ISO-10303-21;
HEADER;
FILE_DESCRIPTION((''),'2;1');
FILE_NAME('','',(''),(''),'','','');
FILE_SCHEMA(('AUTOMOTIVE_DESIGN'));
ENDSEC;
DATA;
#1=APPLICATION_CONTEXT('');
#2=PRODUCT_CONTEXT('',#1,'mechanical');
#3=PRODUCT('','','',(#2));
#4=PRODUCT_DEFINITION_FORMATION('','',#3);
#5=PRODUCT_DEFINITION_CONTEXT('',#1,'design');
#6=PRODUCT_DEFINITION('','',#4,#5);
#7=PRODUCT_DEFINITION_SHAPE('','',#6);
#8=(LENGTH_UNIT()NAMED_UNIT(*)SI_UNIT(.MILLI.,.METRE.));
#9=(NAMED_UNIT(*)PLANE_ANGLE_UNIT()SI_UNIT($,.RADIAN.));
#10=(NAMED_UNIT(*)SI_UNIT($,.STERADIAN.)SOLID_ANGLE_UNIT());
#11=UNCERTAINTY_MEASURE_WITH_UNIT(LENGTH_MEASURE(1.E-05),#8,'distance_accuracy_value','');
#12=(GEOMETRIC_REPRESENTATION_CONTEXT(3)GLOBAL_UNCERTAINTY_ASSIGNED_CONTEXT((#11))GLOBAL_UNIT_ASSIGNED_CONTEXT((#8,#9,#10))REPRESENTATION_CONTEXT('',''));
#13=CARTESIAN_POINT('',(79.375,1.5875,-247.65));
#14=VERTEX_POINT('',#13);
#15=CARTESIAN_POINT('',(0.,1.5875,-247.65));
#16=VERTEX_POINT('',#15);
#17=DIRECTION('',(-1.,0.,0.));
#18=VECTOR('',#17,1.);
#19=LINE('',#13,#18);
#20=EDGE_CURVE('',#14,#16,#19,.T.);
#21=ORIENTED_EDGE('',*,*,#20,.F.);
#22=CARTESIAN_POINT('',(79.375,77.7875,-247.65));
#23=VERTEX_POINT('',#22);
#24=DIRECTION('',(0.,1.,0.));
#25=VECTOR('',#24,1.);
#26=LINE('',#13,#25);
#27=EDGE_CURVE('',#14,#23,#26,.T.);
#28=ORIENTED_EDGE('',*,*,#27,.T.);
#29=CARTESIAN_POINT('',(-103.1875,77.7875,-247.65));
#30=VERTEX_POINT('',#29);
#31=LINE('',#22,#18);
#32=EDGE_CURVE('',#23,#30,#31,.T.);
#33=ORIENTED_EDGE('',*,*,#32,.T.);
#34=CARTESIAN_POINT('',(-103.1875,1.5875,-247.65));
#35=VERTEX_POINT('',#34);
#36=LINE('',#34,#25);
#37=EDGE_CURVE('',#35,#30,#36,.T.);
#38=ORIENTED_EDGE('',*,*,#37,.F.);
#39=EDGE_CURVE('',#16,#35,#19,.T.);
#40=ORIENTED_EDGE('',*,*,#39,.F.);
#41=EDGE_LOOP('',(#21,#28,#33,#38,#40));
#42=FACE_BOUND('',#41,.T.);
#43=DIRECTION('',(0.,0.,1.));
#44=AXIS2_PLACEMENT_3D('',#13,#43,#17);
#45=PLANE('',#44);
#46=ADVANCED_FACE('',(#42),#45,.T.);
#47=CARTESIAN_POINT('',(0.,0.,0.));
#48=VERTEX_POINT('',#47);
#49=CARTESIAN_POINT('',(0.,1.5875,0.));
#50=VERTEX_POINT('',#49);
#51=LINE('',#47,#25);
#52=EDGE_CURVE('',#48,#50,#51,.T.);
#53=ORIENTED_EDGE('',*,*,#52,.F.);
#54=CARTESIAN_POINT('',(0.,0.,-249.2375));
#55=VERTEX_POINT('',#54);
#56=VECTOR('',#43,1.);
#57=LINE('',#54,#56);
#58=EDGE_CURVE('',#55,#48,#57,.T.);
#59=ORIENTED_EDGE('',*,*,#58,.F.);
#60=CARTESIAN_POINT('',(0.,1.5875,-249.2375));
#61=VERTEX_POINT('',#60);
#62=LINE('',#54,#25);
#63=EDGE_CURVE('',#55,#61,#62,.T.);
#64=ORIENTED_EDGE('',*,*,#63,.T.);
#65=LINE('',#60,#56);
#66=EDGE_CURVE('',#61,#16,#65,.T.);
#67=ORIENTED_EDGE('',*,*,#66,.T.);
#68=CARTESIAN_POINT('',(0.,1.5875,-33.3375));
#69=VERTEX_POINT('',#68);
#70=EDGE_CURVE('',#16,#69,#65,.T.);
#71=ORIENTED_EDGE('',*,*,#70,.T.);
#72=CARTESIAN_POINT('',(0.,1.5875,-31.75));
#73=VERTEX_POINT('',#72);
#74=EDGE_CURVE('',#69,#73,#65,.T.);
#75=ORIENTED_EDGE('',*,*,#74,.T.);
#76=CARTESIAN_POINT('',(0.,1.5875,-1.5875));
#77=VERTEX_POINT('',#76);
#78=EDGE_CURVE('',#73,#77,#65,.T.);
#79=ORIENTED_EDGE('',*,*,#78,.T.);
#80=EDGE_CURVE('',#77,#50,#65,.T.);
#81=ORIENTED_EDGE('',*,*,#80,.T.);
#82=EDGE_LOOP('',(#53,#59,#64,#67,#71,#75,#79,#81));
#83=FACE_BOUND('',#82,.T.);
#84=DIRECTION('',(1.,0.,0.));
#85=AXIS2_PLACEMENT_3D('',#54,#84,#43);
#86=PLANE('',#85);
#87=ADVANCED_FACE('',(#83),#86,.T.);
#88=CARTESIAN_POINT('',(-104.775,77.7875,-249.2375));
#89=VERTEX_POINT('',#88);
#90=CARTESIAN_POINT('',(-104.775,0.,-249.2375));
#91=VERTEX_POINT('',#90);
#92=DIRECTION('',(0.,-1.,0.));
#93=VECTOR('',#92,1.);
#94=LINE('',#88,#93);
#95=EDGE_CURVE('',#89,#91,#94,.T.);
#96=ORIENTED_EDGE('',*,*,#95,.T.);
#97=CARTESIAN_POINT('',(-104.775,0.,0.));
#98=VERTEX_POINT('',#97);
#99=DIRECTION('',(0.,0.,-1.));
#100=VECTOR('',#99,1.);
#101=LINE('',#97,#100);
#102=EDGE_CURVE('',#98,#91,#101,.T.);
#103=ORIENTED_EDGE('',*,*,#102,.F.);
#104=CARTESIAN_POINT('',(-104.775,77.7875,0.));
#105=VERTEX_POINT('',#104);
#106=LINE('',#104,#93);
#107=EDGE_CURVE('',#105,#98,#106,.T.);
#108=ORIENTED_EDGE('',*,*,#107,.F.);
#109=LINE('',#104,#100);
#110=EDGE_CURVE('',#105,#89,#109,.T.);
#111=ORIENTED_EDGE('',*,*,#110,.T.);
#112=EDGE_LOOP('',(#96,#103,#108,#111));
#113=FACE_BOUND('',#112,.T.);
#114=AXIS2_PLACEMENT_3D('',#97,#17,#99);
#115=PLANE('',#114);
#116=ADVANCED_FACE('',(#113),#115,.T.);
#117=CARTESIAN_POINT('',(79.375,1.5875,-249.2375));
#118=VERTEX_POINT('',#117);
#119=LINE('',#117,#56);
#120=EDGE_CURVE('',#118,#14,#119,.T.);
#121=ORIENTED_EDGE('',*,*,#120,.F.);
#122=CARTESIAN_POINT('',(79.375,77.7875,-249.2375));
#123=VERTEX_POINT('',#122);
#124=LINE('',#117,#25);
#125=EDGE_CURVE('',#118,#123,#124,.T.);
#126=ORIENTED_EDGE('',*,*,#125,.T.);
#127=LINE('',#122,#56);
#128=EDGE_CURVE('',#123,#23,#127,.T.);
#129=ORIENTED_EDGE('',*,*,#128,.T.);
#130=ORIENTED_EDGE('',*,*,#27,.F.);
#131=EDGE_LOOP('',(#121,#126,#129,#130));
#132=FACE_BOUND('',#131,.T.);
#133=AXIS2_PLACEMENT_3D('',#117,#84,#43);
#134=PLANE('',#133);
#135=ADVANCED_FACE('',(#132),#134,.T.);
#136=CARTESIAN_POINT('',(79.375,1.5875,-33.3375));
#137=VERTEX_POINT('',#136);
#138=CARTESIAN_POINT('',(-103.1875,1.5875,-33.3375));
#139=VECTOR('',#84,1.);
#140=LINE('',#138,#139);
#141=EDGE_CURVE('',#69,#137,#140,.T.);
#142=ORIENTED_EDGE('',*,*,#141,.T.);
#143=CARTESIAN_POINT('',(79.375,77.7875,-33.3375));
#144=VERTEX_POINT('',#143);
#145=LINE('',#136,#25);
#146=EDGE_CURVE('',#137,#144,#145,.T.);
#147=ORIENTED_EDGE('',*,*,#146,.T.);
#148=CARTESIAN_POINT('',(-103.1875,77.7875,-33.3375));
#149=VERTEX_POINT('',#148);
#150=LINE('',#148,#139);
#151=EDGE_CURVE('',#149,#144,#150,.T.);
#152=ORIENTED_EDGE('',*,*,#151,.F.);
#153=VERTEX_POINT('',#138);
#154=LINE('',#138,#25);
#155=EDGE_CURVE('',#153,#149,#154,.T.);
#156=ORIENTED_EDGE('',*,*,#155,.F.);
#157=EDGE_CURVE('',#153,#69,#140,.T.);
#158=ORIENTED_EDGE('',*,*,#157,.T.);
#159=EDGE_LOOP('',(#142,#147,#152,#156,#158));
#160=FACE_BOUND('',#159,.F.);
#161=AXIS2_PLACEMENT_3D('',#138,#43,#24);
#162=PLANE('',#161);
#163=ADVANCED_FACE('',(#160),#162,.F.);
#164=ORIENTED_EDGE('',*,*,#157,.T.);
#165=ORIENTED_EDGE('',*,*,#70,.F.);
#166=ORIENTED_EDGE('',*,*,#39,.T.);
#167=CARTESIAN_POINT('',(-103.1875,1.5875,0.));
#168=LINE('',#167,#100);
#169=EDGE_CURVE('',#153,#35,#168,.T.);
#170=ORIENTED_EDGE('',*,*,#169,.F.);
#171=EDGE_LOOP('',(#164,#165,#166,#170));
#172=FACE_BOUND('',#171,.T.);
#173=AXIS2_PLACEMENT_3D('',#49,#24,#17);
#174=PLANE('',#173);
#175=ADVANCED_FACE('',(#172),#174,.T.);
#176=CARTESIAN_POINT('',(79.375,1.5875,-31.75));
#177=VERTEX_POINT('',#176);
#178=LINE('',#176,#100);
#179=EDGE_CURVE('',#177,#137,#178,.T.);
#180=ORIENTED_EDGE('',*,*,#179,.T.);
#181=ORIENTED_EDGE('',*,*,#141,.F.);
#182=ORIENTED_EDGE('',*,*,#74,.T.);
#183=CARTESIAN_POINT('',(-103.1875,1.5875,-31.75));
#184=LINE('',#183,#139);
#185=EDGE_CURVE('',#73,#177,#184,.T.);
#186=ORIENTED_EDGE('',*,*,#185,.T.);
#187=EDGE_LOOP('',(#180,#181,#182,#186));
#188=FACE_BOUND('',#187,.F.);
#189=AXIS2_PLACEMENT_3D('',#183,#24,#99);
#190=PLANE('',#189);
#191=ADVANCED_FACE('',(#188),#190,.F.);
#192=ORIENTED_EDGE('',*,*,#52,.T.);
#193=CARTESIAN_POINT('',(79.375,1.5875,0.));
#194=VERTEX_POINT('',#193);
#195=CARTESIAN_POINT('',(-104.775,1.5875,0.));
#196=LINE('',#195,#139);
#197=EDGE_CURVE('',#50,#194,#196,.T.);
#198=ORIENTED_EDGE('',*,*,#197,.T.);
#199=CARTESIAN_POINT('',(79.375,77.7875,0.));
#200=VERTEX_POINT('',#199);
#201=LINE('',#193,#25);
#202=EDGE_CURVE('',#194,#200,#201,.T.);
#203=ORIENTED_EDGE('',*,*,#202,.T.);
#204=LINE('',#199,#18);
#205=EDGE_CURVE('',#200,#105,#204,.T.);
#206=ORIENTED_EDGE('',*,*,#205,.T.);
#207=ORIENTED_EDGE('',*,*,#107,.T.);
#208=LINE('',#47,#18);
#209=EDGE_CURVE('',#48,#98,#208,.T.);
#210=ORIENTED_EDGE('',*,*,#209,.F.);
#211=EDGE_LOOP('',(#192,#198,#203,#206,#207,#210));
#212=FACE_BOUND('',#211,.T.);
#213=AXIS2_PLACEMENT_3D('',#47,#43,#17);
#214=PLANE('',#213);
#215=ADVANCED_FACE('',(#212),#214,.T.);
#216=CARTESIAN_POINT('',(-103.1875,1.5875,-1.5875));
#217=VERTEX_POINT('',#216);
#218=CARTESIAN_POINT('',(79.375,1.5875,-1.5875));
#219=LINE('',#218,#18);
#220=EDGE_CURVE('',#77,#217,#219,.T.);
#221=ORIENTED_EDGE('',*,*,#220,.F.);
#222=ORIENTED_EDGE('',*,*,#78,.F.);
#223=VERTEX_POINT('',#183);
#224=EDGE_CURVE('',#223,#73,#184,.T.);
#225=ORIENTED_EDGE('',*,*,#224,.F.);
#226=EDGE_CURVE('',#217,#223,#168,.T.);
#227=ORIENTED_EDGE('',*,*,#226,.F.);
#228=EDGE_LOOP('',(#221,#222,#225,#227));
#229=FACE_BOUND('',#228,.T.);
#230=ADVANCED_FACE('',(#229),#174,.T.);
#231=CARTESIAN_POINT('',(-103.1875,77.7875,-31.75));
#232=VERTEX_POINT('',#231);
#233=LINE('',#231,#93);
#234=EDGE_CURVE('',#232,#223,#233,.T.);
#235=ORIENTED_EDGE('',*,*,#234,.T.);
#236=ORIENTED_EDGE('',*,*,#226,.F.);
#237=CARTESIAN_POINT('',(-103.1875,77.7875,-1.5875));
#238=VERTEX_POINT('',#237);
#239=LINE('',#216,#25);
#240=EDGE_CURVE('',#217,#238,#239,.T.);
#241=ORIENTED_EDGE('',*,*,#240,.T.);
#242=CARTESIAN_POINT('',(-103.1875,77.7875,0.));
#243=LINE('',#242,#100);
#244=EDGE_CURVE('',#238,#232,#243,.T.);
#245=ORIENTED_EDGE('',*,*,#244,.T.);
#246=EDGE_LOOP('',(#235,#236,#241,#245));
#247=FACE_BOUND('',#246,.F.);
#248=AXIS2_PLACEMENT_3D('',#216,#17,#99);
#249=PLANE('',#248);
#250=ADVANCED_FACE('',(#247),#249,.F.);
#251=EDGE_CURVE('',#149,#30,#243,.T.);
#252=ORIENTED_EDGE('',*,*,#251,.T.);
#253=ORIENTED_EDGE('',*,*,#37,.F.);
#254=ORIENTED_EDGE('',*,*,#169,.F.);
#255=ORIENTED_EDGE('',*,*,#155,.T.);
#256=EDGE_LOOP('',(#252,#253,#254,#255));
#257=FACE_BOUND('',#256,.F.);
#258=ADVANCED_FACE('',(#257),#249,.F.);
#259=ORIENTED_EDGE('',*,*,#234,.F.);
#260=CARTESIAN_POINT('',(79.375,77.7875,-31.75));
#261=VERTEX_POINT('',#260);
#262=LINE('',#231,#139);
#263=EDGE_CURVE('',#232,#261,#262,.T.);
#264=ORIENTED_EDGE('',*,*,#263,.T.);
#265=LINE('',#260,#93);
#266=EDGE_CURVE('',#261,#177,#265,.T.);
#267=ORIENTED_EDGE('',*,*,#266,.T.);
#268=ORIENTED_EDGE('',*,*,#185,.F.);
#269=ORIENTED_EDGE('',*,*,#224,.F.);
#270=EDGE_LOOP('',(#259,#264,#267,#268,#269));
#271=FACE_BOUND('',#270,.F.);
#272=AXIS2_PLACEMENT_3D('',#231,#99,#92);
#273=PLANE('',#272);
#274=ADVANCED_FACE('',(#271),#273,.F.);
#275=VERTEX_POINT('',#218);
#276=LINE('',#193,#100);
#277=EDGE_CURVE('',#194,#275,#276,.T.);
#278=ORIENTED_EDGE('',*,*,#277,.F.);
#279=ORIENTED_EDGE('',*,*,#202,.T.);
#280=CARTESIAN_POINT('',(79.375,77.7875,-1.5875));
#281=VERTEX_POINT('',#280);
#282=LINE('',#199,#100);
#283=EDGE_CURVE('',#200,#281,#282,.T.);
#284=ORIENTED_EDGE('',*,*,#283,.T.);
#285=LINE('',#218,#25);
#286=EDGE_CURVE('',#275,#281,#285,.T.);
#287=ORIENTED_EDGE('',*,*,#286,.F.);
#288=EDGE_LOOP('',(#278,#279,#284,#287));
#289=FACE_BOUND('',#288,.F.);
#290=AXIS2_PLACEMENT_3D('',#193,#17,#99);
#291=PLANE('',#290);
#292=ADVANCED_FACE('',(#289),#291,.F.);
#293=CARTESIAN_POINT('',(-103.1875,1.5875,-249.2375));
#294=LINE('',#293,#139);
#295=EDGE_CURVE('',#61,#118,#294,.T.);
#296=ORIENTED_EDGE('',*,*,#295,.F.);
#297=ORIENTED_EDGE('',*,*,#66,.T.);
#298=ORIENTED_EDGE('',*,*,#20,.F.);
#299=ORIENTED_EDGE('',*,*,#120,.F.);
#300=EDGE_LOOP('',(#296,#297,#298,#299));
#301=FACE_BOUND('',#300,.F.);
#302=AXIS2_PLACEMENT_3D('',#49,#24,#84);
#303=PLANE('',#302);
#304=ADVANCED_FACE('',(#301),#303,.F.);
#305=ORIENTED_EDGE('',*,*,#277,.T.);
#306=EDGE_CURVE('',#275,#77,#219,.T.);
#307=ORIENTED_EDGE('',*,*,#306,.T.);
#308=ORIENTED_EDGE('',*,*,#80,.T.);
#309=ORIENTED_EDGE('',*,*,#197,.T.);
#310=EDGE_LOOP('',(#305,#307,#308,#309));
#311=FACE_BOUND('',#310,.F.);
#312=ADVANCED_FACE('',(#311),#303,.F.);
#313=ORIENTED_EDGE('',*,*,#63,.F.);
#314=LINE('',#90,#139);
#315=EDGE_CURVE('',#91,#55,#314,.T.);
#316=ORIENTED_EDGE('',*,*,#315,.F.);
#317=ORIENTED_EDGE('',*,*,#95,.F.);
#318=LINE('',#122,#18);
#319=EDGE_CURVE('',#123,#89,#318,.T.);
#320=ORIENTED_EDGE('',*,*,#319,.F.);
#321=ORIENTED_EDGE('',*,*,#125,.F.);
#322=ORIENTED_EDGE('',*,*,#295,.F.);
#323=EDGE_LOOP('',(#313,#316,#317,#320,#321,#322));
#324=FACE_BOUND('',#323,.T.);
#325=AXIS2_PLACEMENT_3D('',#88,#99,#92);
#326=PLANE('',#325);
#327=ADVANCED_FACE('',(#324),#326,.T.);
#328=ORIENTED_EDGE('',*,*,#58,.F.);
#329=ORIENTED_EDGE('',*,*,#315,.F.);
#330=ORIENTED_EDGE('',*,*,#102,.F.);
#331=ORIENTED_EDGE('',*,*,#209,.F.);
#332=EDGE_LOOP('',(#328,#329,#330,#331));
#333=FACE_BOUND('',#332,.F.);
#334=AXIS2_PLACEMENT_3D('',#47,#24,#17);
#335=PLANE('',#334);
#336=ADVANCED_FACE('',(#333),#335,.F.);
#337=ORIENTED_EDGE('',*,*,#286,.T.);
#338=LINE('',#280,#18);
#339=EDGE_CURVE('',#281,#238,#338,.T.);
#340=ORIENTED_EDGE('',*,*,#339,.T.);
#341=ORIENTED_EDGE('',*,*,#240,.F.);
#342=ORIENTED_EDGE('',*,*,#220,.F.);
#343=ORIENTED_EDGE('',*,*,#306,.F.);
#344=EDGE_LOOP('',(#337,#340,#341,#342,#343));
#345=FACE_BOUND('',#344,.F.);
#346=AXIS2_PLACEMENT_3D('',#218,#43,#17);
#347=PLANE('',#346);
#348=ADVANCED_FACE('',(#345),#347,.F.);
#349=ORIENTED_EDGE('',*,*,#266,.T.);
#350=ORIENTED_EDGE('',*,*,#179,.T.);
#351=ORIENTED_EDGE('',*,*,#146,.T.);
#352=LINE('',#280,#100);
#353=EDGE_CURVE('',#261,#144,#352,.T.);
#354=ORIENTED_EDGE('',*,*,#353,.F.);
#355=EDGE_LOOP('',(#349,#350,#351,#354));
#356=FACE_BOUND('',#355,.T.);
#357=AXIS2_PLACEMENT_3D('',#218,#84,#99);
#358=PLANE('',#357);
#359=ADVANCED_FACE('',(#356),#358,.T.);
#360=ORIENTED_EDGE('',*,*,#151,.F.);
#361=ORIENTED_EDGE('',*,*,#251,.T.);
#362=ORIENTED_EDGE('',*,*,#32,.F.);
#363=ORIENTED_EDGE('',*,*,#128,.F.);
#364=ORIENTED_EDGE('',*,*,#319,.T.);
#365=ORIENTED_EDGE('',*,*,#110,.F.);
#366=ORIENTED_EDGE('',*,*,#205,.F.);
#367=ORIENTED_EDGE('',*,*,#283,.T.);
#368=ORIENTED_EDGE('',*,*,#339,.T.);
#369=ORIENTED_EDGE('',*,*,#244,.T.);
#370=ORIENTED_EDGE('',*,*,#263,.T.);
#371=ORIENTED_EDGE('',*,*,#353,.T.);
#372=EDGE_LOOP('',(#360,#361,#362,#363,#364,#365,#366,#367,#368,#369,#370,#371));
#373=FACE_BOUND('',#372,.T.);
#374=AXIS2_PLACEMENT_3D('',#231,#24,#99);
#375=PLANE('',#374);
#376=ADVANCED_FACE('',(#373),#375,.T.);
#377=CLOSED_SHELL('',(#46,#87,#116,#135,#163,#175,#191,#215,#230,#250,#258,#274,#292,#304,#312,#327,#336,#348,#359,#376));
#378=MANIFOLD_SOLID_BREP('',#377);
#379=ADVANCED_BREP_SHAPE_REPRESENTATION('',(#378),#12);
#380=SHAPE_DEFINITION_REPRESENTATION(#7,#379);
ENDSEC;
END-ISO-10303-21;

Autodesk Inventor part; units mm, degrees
ref_plane "YZ Plane" through (0, 0, 0) normal (1, 0, 0) x (0, 1, 0)
ref_plane "XZ Plane" through (0, 0, 0) normal (0, 1, 0) x (-1, 0, 0)
ref_plane "XY Plane" through (0, 0, 0) normal (0, 0, 1) x (1, 0, 0)
sketch "Sketch1" plane through (0, 0, 0) normal (0, 1, 0) x (-1, 0, 0)
  point P0 (0, 0)
sketch "Sketch2" plane through (0, 0, 0) normal (0, 1, 0) x (-1, 0, 0)
  line L0 (0, 0) -> (104.775, 0)
  line L1 (104.775, 0) -> (104.775, -249.2375)
  line L2 (104.775, -249.2375) -> (0, -249.2375)
  line L3 (0, -249.2375) -> (0, 0)
  dimension "d0" = 104.775
  dimension "d1" = 249.2375
extrude "Extrusion1" add sketch "Sketch2" along normal blind 1.5875
sketch "Sketch3" plane through (0, 1.5875, 0) normal (0, 1, 0) x (1, 0, 0)
  line L0 (-104.775, 0) -> (0, 0) projected
  line L1 (-104.775, 0) -> (-103.1875, 0)
  line L2 (-103.1875, 0) -> (-103.1875, 304.8)
  line L3 (-104.775, 304.8) -> (-104.775, 0)
  line L4 (-104.775, 249.2375) -> (-104.775, 0) projected
  line L5 (-104.775, 0) -> (79.375, 0)
  line L6 (79.375, 0) -> (79.375, 1.5875)
  line L7 (79.375, 1.5875) -> (-104.775, 1.5875)
  line L8 (-104.775, 1.5875) -> (-104.775, 0)
  line L9 (0, 249.2375) -> (-104.775, 249.2375) projected
  line L10 (-104.775, 249.2375) -> (79.375, 249.2375)
  line L11 (79.375, 249.2375) -> (79.375, 247.65)
  line L12 (79.375, 247.65) -> (-104.775, 247.65)
  line L13 (-104.775, 247.65) -> (-104.775, 249.2375)
  line L14 (-104.775, 304.8) -> (-103.1875, 304.8)
  line L15 (-103.1875, 304.8) -> (-103.1875, 0)
  line L16 (-103.1875, 0) -> (-104.775, 0)
  line L17 (-104.775, 0) -> (-104.775, 304.8)
  dimension "d6" = 184.15
  dimension "d7" = 1.5875
  dimension "d8" = 184.15
  dimension "d9" = 1.5875
  dimension "d10" = 1.5875
  dimension "d11" = 304.8
extrude "Extrusion2" add sketch "Sketch3" along normal blind 76.2
sketch "Sketch4" plane through (-103.1875, 1.5875, -1.5875) normal (1, 0, 0) x (0, 0, -1)
  line L0 (-1.5875, -1.5875) -> (-1.5875, 0) construction
  line L1 (-1.5875, -1.5875) -> (30.1625, -1.5875) construction
  line L2 (247.65, -1.5875) -> (-1.5875, -1.5875) construction
  line L3 (30.1625, -1.5875) -> (30.1625, 0) construction
  line L4 (0, 0) -> (246.0625, 0) construction
  line L5 (0, 76.2) -> (246.0625, 76.2) projected
  line L6 (30.1625, 0) -> (31.75, 0)
  line L7 (31.75, 0) -> (31.75, 76.2)
  line L8 (31.75, 76.2) -> (30.1625, 76.2)
  line L9 (30.1625, 76.2) -> (30.1625, 0)
  dimension "d14" = 31.75
  dimension "d15" = 1.5875
extrude "Extrusion3" add sketch "Sketch4" along normal blind 182.5625
sketch "Sketch5" plane through (-104.775, 0, -249.2375) normal (-1, 0, 0) x (0, 0, 1)
  line L0 (-55.5625, 1.5875) -> (-55.5625, 77.7875) projected
  line L1 (0, 0) -> (0, 1.5875) projected
  line L2 (-55.5625, 77.7875) -> (0, 77.7875)
  line L3 (0, 77.7875) -> (0, 1.5875)
  line L4 (0, 1.5875) -> (-55.5625, 1.5875)
  line L5 (-55.5625, 1.5875) -> (-55.5625, 77.7875)
  point P0 (249.2375, 0)
extrude "Extrusion4" cut sketch "Sketch5" against normal blind 50.8
sketch "Sketch6" plane through (-104.775, 0, 0) normal (0, 0, 1) x (1, 0, 0)
  line L0 (184.15, 1.5875) -> (104.775, 1.5875) construction
  line L1 (106.3548, 1.5875) -> (106.3548, 49.2125) construction
  line L2 (106.3548, 1.5875) -> (153.9798, 1.5875) construction
  line L3 (184.15, 56.388) -> (92.075, 56.388) construction
  line L4 (92.075, 56.388) -> (92.075, 40.3233) construction
  circle A0 centre (92.075, 49.2125) radius 1.905 construction
  point P0 (104.775, 0)
  dimension "d20" = 47.625
  dimension "d21" = 90
  dimension "d22" = 92.075
  dimension "d23" = 3.81
properties part number "Collector Base"
